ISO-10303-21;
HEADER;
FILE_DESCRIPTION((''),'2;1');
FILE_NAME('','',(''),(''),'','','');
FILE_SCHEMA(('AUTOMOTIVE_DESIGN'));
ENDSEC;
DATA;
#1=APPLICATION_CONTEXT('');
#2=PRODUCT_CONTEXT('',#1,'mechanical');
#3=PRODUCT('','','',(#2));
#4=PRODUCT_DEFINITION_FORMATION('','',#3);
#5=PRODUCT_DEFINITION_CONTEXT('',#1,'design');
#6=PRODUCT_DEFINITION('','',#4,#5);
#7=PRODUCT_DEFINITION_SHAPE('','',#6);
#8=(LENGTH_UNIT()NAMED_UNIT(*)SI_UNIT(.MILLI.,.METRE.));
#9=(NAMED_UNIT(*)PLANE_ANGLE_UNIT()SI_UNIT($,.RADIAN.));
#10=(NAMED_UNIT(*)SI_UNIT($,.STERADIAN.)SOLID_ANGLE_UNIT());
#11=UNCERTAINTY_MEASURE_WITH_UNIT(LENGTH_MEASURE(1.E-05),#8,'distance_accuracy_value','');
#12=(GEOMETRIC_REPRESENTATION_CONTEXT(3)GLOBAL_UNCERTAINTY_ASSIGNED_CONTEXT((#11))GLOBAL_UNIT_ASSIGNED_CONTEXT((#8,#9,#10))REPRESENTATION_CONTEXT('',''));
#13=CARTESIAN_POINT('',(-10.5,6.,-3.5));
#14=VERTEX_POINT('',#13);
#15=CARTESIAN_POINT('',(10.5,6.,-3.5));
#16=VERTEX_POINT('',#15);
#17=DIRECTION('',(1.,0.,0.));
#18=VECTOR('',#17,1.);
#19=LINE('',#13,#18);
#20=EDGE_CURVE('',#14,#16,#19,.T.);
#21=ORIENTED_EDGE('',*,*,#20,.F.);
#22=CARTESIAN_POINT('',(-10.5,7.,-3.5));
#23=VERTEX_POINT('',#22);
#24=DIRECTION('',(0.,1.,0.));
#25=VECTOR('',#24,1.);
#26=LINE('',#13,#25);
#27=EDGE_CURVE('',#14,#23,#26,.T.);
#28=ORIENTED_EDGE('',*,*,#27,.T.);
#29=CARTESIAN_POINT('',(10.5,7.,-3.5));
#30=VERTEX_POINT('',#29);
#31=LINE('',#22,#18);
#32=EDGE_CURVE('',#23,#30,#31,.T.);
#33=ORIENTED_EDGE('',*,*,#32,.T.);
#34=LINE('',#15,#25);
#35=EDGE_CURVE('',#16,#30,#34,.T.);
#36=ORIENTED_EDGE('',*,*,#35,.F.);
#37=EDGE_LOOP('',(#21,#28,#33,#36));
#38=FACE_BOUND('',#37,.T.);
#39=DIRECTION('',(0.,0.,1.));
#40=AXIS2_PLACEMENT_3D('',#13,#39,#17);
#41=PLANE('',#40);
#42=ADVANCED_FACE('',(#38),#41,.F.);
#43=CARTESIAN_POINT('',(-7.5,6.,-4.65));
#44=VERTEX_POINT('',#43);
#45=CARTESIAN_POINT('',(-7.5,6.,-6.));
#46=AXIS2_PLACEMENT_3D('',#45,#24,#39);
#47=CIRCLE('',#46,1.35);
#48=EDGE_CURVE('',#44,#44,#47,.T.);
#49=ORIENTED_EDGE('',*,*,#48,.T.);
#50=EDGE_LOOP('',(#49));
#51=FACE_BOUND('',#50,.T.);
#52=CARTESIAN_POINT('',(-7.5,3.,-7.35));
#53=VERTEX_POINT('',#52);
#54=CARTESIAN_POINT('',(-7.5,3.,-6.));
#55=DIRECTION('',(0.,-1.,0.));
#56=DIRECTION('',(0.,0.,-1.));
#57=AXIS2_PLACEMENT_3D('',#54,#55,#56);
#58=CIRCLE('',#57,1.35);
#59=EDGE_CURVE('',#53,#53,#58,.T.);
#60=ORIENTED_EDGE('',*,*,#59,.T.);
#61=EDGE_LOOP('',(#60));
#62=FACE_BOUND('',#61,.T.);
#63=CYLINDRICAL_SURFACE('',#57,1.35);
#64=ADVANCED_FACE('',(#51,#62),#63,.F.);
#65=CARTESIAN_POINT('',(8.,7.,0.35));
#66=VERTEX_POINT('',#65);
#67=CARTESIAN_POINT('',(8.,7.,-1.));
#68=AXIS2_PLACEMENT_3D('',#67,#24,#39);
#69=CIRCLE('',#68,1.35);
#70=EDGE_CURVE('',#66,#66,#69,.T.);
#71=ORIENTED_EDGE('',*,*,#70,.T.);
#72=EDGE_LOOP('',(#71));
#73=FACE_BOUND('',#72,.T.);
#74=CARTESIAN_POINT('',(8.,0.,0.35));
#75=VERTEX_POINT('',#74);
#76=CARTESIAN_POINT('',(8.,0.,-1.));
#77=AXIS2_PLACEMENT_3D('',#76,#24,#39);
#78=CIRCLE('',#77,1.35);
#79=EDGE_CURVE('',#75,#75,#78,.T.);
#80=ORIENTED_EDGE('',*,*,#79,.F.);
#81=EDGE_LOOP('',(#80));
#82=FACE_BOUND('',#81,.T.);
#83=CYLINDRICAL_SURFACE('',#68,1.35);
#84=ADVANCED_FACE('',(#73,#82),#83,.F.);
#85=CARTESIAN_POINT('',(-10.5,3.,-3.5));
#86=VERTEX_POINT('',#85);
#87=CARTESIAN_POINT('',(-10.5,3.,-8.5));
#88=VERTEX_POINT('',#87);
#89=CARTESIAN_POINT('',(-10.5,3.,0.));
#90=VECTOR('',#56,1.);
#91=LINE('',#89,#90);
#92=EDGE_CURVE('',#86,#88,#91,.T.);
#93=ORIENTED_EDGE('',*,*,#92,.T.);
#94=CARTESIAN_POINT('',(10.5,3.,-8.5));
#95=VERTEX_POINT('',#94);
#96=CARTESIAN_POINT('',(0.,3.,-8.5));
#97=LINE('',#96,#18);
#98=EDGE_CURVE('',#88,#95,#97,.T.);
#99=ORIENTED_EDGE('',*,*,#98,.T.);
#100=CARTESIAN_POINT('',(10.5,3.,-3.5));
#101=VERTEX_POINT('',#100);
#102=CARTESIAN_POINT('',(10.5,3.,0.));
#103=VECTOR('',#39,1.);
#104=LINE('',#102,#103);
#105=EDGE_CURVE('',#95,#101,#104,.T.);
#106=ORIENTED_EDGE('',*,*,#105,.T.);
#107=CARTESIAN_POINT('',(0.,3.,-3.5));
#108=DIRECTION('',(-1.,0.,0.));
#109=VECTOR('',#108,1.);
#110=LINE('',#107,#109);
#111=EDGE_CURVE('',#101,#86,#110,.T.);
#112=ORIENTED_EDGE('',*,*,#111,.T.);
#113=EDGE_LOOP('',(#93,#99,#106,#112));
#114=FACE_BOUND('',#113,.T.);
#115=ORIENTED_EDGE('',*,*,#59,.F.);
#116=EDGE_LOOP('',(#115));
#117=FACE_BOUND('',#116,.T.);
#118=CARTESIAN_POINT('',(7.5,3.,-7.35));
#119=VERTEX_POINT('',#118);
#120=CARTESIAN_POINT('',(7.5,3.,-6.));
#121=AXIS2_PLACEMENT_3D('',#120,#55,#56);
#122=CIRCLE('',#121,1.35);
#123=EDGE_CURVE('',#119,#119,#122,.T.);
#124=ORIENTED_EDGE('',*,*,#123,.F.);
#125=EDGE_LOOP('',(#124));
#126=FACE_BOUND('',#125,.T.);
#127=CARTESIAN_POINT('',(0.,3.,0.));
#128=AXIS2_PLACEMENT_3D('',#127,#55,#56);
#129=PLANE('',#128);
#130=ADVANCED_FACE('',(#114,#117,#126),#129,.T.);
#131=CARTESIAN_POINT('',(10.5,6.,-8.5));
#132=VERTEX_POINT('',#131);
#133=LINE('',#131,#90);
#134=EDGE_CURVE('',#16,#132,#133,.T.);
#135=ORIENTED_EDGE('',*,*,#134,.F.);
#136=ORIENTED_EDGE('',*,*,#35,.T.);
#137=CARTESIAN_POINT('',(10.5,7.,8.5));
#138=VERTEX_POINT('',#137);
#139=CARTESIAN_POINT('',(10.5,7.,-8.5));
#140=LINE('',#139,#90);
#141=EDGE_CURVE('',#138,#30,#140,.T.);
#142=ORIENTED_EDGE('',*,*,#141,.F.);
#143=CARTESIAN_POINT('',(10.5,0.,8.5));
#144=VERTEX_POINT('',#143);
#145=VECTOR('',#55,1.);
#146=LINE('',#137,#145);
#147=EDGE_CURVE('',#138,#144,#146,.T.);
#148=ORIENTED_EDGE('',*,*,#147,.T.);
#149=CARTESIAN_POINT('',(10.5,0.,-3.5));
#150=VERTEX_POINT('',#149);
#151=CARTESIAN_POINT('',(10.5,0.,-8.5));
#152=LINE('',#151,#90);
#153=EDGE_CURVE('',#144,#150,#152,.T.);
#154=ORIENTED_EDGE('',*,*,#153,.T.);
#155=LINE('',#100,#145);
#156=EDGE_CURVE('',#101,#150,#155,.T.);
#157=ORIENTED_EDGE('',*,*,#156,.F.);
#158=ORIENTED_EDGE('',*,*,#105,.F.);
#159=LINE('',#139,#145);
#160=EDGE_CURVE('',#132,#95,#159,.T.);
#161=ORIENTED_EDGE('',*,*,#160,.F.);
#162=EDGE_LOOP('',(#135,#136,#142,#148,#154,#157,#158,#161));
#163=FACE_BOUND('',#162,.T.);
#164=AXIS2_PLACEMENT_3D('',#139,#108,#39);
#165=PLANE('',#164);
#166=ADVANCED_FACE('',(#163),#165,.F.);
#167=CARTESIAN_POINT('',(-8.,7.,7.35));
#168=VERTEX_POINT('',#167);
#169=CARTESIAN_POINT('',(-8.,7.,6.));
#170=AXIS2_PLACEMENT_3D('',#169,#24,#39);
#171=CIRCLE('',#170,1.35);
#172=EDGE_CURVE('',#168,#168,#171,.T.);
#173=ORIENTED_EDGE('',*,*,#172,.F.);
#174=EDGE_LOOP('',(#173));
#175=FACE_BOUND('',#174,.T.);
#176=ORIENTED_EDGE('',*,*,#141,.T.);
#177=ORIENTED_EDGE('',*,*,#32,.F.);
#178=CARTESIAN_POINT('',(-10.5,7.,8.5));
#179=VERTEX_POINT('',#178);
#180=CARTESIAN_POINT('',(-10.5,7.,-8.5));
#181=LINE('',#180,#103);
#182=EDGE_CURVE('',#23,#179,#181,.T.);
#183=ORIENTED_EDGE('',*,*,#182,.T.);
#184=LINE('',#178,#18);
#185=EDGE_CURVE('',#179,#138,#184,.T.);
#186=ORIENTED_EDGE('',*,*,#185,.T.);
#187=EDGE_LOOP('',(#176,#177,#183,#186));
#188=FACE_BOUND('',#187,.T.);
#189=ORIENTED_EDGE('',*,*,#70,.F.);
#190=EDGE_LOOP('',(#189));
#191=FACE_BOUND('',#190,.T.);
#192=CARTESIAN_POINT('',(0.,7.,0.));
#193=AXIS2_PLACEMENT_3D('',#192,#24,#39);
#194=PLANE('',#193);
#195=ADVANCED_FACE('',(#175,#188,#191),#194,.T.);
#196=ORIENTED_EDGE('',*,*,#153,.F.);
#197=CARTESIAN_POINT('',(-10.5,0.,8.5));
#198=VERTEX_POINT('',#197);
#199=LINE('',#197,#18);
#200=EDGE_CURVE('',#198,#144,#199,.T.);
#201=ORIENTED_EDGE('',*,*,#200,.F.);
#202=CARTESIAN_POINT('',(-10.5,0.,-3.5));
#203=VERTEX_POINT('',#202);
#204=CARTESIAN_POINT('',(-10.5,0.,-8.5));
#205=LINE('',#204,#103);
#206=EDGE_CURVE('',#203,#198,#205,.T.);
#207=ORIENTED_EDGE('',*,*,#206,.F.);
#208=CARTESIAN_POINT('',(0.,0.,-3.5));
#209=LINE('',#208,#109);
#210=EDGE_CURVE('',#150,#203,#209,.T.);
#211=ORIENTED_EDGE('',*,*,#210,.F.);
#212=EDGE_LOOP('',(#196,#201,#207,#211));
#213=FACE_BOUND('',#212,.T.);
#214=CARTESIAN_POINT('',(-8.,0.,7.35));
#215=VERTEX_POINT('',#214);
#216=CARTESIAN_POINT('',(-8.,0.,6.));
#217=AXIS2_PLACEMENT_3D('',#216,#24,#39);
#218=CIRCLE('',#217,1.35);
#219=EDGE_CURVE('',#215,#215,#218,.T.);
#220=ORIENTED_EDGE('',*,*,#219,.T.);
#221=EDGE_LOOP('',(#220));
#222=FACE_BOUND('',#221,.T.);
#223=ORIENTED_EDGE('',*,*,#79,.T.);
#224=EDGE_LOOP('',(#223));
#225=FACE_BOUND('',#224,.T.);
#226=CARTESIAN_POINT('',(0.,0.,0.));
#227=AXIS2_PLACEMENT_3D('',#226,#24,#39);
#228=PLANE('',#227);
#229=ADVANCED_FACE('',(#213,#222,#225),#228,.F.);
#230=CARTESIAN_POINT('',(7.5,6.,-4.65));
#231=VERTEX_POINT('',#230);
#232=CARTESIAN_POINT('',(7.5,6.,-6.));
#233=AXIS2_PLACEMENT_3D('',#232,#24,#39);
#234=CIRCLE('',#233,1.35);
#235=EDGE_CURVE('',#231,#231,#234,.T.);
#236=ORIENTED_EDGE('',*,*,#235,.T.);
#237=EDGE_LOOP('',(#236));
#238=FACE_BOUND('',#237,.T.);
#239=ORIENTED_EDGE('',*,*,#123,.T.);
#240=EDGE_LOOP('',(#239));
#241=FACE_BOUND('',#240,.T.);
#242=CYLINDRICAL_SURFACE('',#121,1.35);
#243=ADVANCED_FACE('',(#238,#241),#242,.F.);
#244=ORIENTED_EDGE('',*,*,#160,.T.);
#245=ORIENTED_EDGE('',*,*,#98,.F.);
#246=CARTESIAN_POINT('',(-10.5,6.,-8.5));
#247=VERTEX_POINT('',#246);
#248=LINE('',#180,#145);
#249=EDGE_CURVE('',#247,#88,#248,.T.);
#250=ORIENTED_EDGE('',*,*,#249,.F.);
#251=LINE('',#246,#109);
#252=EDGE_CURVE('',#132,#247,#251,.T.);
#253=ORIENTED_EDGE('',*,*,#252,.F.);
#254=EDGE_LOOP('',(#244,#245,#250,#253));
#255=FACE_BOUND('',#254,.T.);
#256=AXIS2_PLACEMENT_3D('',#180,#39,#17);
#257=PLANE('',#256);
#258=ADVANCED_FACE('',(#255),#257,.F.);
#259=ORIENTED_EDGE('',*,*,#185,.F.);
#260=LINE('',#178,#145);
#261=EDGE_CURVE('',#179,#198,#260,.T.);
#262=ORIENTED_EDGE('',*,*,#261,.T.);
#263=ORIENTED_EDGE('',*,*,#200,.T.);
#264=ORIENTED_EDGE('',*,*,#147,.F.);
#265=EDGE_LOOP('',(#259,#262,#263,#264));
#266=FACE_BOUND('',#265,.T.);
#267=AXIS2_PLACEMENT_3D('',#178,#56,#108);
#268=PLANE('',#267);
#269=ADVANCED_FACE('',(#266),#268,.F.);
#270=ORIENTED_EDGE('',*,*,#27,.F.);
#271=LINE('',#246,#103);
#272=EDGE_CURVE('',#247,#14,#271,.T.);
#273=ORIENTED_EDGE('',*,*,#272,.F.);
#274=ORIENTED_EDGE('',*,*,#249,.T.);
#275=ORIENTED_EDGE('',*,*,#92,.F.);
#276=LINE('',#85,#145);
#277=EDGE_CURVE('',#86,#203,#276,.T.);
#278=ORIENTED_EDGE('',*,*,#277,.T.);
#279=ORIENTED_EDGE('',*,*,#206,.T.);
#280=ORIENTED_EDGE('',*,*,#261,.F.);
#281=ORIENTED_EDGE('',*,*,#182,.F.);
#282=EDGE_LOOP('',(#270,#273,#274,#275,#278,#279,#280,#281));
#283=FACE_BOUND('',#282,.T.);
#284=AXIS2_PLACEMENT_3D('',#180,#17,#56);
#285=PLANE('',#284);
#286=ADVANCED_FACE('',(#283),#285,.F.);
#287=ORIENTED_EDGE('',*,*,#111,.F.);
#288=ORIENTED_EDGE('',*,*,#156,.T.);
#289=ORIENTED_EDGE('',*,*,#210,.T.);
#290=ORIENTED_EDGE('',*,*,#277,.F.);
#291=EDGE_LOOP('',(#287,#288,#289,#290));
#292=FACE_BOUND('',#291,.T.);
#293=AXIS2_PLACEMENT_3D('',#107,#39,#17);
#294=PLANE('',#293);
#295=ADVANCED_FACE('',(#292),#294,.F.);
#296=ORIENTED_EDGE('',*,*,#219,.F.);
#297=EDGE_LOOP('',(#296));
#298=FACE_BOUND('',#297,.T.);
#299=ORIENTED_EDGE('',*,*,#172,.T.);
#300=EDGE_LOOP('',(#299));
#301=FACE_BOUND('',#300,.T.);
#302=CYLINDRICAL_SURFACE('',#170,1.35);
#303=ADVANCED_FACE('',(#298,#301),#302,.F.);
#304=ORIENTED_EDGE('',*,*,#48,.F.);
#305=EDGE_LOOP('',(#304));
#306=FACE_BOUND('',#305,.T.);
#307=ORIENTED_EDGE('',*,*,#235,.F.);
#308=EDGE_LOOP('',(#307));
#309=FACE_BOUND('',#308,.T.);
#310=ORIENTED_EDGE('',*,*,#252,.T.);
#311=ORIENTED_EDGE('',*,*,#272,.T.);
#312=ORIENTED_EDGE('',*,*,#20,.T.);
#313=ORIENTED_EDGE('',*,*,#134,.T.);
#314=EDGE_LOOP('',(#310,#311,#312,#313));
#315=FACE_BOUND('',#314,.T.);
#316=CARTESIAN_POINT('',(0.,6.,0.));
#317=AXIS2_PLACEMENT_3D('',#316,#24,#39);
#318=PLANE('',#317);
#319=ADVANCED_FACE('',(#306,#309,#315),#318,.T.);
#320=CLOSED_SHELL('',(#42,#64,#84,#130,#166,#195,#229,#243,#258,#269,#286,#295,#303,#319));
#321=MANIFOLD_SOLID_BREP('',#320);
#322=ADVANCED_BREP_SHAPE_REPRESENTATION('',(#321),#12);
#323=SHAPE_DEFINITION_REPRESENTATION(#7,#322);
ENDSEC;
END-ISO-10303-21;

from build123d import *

# Parameters (mm, degrees)
SKETCH1_W              = 21
SKETCH1_H              = 17
BOSS_EXTRUDE1_DEPTH    = 7
SKETCH2_W              = 21
SKETCH2_H              = 5
CUT_EXTRUDE1_DEPTH     = 1
M2_5_CLEARANCE_HOLE1_D = 2.7
SKETCH5_W              = 21
SKETCH5_H              = 5
CUT_EXTRUDE2_DEPTH     = 3
M2_5_CLEARANCE_HOLE2_D = 2.7


with BuildPart() as part:
    # Sketch1 → Boss-Extrude1 (new body)
    with BuildSketch(Plane(origin=(0, 0, 0), x_dir=(1, 0, 0), z_dir=(0, 1, 0))):
        Rectangle(SKETCH1_W, SKETCH1_H)
    extrude(amount=BOSS_EXTRUDE1_DEPTH)

    # Sketch2 → Cut-Extrude1 (cut)
    with BuildSketch(Plane(origin=(0, 7, 0), x_dir=(1, 0, 0), z_dir=(0, 1, 0))):
        with Locations((0, 6)):
            Rectangle(SKETCH2_W, SKETCH2_H)
    extrude(amount=-CUT_EXTRUDE1_DEPTH, mode=Mode.SUBTRACT)

    # M2.5 Clearance Hole1 (through all)
    with Locations(Plane(origin=(0, 7, 0), x_dir=(1, 0, 0), z_dir=(0, 1, 0))):
        with Locations((-8, -6), (8, 1)):
            Hole(M2_5_CLEARANCE_HOLE1_D / 2)

    # Sketch5 → Cut-Extrude2 (cut)
    with BuildSketch(Plane.XZ):
        with Locations((0, -6)):
            Rectangle(SKETCH5_W, SKETCH5_H)
    extrude(amount=-CUT_EXTRUDE2_DEPTH, mode=Mode.SUBTRACT)

    # M2.5 Clearance Hole2 (through all)
    with Locations(Plane(origin=(0, 3, 0), x_dir=(-1, 0, 0), z_dir=(0, -1, 0))):
        with Locations((-7.5, 6), (7.5, 6)):
            Hole(M2_5_CLEARANCE_HOLE2_D / 2)


solid = part.part
